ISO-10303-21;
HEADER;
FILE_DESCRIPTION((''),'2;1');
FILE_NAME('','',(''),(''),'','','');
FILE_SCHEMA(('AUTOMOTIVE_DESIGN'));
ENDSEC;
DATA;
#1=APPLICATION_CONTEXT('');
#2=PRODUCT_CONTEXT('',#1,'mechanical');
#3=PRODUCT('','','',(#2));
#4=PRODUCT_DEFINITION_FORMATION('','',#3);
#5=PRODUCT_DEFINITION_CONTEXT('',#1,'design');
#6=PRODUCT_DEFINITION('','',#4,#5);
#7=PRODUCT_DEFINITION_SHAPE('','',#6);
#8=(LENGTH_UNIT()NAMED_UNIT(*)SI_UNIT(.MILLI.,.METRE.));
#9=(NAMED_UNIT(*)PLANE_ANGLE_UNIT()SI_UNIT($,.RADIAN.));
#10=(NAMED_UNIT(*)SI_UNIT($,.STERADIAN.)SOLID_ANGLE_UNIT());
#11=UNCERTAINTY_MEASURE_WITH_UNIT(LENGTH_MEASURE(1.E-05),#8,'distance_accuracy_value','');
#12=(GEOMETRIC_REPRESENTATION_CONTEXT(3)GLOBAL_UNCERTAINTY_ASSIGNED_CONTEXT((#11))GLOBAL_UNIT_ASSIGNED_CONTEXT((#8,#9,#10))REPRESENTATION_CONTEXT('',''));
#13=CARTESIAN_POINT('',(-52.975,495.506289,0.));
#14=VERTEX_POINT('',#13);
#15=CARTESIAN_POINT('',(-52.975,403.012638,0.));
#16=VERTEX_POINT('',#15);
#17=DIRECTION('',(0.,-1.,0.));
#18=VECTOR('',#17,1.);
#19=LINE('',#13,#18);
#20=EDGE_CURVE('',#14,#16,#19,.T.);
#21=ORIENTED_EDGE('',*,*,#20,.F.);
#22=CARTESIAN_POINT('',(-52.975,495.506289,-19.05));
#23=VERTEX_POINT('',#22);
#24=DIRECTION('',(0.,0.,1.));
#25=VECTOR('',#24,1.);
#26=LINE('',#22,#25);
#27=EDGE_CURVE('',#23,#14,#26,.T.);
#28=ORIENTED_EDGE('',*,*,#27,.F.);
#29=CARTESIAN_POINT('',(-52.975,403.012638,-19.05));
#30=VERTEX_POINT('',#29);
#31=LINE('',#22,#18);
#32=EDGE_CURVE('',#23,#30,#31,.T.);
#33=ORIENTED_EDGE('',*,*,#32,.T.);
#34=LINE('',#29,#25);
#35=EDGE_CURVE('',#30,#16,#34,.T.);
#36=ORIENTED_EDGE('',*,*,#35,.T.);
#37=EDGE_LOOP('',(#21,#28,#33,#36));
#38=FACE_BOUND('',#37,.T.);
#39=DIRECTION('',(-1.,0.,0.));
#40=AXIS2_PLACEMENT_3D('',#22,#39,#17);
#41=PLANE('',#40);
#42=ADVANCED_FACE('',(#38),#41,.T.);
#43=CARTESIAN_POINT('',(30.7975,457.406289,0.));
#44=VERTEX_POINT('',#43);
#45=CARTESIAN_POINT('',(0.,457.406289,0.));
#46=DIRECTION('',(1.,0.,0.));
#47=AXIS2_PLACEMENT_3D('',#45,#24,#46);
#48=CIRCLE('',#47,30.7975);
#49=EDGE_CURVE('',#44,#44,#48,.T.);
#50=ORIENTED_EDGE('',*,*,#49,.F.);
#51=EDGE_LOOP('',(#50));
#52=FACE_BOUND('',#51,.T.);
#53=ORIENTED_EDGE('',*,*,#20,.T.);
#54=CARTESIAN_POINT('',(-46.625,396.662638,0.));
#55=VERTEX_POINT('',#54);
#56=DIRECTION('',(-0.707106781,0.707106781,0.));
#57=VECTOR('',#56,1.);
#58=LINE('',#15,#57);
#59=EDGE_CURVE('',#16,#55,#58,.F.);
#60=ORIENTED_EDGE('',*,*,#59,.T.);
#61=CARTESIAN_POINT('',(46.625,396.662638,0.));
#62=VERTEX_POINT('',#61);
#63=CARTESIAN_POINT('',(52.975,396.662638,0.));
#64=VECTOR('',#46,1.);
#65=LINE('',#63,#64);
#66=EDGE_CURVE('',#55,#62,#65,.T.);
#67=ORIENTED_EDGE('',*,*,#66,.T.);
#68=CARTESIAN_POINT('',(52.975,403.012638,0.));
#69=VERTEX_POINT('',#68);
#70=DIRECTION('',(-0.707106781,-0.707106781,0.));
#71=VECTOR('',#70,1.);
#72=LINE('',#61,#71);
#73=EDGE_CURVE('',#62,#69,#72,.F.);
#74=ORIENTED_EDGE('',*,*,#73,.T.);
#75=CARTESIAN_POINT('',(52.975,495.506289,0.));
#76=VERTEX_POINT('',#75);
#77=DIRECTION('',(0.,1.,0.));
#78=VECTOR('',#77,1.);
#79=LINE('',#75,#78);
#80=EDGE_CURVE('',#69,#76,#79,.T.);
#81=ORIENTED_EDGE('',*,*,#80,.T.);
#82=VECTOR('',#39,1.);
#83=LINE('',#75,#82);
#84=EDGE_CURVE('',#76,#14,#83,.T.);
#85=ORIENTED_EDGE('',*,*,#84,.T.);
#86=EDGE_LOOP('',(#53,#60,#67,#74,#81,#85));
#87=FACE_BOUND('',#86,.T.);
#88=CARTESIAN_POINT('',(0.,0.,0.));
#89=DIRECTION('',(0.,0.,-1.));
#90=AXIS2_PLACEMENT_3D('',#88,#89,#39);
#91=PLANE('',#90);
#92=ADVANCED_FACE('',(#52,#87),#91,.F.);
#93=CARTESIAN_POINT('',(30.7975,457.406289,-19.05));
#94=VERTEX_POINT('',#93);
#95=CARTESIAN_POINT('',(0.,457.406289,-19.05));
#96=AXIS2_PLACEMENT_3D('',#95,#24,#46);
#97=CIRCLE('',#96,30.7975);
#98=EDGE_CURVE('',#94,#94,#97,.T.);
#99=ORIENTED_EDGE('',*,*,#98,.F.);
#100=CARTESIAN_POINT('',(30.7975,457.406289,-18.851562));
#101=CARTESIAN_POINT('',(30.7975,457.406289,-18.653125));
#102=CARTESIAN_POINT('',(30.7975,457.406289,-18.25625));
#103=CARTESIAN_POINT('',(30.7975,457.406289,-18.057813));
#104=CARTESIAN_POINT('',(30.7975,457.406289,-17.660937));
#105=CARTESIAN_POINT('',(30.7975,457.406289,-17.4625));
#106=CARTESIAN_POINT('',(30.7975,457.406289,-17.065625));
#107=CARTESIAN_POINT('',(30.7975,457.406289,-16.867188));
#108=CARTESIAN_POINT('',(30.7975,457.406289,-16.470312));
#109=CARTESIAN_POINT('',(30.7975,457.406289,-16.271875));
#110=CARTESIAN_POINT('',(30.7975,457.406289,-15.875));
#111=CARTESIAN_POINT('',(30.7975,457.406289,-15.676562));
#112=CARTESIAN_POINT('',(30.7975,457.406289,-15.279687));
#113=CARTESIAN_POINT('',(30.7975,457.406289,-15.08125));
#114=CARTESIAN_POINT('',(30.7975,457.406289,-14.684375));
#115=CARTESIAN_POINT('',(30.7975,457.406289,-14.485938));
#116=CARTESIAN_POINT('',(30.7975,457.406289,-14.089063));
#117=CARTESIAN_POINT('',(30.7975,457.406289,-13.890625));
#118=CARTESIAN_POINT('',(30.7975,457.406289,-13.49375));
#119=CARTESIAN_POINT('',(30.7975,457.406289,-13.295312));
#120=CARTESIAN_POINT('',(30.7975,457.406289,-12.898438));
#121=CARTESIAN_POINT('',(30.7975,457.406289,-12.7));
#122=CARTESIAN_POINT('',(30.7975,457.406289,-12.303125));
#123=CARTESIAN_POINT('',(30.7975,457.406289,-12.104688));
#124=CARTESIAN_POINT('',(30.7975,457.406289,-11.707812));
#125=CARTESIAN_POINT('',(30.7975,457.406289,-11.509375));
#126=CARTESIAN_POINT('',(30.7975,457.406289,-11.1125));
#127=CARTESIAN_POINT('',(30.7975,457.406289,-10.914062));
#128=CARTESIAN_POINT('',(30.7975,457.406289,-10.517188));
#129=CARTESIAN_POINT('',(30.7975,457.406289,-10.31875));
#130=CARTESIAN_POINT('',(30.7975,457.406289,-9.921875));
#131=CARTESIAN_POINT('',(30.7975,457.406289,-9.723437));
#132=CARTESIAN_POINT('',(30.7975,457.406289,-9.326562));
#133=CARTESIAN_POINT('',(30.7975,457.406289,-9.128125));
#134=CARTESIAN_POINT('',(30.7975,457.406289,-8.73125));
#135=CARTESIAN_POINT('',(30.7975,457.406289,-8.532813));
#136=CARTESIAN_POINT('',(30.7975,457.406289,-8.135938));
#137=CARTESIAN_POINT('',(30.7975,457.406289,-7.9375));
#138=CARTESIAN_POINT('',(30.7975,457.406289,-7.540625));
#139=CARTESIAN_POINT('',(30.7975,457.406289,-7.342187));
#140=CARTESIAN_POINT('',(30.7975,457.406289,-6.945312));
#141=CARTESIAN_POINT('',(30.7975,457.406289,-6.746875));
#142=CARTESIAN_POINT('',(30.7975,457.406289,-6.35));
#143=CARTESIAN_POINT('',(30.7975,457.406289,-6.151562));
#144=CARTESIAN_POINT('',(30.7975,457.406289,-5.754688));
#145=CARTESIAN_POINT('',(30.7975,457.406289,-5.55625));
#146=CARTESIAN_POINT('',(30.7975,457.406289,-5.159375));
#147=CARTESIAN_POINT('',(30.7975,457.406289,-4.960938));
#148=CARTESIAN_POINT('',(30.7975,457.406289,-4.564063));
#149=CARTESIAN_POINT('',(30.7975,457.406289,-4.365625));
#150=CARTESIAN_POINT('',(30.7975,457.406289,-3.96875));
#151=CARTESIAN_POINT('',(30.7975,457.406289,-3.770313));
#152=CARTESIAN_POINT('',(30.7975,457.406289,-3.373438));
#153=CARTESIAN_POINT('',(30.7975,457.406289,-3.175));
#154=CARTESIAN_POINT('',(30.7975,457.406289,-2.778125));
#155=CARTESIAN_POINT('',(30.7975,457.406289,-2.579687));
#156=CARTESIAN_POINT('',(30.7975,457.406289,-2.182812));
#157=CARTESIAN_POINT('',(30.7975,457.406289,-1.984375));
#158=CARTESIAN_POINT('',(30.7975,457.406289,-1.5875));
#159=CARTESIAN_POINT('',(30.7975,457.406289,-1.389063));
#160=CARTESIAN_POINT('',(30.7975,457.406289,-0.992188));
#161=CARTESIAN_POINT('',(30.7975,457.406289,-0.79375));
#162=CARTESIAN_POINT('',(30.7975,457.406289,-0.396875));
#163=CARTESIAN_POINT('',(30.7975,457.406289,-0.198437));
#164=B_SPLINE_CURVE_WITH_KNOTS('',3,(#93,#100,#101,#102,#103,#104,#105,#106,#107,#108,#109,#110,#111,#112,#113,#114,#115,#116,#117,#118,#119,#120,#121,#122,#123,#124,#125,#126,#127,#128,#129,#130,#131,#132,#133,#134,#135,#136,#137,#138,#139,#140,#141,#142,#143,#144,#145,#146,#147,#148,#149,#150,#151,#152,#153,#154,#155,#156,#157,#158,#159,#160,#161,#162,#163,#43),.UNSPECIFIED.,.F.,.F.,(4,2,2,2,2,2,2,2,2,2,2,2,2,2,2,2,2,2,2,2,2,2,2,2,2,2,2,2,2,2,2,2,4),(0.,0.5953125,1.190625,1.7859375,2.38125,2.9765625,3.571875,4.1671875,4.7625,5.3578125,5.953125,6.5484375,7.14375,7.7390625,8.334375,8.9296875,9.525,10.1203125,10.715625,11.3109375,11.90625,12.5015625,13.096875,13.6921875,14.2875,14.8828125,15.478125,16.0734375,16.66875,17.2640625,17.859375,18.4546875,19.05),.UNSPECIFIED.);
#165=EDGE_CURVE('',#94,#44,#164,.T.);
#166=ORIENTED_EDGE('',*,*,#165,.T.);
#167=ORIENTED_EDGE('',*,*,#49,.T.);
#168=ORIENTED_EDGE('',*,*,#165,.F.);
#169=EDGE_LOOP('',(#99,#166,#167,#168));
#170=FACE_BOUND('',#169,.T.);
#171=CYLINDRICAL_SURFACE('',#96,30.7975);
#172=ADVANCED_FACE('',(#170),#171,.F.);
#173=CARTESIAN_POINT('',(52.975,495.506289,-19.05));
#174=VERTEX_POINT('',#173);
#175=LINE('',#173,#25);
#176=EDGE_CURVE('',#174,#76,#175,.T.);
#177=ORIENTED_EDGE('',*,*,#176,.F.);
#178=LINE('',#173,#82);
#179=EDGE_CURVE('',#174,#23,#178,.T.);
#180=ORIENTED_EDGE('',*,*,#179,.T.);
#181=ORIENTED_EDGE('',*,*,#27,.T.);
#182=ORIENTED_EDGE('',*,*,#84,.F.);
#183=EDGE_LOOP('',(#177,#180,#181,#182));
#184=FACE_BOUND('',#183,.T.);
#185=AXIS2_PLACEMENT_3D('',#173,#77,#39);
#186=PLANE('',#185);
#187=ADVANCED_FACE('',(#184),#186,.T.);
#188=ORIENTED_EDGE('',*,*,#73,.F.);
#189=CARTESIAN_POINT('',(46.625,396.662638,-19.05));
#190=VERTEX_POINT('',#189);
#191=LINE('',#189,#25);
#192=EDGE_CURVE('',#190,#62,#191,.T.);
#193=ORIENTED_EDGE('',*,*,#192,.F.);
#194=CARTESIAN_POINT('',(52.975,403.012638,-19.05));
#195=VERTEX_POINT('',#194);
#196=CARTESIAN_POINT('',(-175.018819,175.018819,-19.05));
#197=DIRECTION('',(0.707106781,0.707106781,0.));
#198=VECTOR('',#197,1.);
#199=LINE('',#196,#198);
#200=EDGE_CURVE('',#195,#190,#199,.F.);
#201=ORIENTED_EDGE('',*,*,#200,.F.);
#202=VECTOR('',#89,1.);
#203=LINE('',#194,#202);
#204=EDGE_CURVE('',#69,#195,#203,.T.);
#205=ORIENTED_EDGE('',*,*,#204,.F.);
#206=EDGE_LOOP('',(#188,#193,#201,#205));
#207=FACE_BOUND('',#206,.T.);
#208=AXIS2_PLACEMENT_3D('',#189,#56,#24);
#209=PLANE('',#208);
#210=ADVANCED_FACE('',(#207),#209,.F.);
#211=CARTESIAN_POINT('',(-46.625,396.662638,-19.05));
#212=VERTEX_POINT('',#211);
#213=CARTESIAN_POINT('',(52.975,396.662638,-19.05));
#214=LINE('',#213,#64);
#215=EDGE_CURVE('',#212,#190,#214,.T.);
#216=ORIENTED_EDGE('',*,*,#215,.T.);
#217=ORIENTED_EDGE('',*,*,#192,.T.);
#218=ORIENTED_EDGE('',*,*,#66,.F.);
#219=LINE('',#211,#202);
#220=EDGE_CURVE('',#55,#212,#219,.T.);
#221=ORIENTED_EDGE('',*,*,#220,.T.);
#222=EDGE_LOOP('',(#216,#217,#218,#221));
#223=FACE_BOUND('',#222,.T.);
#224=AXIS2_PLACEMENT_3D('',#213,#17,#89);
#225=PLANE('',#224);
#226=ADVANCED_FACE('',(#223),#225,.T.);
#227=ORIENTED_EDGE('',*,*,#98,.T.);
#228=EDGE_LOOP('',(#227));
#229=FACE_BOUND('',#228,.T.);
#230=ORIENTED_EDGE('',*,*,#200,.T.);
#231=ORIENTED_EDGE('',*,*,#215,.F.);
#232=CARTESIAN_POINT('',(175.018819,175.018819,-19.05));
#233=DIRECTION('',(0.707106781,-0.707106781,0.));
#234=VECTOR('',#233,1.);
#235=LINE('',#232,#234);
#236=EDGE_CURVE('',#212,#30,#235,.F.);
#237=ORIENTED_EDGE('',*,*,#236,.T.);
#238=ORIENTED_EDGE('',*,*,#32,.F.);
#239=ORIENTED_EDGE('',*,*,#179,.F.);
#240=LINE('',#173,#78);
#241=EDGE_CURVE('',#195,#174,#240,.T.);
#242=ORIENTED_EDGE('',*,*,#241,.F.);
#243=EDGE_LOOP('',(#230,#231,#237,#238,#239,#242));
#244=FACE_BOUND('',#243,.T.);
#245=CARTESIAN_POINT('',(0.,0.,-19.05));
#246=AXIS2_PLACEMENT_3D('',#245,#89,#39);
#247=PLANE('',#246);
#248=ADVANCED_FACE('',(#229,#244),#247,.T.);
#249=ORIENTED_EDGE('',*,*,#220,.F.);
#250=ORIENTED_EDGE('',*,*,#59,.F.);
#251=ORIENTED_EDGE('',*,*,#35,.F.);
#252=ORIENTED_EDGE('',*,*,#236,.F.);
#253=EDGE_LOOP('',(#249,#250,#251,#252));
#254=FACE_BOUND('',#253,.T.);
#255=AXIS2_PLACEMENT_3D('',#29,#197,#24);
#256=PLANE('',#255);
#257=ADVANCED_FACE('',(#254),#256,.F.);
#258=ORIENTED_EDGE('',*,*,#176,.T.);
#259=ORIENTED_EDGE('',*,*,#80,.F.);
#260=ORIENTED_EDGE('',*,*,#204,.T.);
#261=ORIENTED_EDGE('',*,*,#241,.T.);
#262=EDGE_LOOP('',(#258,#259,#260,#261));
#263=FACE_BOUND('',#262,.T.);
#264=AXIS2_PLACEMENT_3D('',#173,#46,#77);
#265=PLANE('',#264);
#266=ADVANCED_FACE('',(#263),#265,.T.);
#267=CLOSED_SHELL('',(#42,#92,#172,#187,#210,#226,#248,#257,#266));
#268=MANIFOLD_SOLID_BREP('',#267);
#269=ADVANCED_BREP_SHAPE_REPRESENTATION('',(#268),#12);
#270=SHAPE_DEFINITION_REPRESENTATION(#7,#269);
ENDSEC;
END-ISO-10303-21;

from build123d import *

# Parameters (mm, degrees)
SKETCH1_W           = 105.949999994
SKETCH1_H           = 98.843650928
BOSS_EXTRUDE1_DEPTH = 19.05
SKETCH2_R           = 30.7975
CUT_EXTRUDE1_DEPTH  = 499.69403033
CHAMFER1_SIZE       = 6.35


with BuildPart() as part:
    # Sketch1 → Boss-Extrude1 (new body)
    with BuildSketch(Plane.XY):
        with Locations((0, 446.084463863)):
            Rectangle(SKETCH1_W, SKETCH1_H)
    extrude(amount=-BOSS_EXTRUDE1_DEPTH)

    # Sketch2 → Cut-Extrude1 (cut, through all)
    with BuildSketch(Plane.XY):
        with Locations((0, 457.406289235)):
            Circle(SKETCH2_R)
    extrude(amount=-CUT_EXTRUDE1_DEPTH, mode=Mode.SUBTRACT)

    # Chamfer1
    chamfer1_edges = [part.edges().sort_by_distance(p)[0] for p in [
        (52.974999997, 396.662638399, -9.525),
        (-52.974999997, 396.662638399, -9.525),
    ]]
    chamfer(chamfer1_edges, length=CHAMFER1_SIZE)


solid = part.part
